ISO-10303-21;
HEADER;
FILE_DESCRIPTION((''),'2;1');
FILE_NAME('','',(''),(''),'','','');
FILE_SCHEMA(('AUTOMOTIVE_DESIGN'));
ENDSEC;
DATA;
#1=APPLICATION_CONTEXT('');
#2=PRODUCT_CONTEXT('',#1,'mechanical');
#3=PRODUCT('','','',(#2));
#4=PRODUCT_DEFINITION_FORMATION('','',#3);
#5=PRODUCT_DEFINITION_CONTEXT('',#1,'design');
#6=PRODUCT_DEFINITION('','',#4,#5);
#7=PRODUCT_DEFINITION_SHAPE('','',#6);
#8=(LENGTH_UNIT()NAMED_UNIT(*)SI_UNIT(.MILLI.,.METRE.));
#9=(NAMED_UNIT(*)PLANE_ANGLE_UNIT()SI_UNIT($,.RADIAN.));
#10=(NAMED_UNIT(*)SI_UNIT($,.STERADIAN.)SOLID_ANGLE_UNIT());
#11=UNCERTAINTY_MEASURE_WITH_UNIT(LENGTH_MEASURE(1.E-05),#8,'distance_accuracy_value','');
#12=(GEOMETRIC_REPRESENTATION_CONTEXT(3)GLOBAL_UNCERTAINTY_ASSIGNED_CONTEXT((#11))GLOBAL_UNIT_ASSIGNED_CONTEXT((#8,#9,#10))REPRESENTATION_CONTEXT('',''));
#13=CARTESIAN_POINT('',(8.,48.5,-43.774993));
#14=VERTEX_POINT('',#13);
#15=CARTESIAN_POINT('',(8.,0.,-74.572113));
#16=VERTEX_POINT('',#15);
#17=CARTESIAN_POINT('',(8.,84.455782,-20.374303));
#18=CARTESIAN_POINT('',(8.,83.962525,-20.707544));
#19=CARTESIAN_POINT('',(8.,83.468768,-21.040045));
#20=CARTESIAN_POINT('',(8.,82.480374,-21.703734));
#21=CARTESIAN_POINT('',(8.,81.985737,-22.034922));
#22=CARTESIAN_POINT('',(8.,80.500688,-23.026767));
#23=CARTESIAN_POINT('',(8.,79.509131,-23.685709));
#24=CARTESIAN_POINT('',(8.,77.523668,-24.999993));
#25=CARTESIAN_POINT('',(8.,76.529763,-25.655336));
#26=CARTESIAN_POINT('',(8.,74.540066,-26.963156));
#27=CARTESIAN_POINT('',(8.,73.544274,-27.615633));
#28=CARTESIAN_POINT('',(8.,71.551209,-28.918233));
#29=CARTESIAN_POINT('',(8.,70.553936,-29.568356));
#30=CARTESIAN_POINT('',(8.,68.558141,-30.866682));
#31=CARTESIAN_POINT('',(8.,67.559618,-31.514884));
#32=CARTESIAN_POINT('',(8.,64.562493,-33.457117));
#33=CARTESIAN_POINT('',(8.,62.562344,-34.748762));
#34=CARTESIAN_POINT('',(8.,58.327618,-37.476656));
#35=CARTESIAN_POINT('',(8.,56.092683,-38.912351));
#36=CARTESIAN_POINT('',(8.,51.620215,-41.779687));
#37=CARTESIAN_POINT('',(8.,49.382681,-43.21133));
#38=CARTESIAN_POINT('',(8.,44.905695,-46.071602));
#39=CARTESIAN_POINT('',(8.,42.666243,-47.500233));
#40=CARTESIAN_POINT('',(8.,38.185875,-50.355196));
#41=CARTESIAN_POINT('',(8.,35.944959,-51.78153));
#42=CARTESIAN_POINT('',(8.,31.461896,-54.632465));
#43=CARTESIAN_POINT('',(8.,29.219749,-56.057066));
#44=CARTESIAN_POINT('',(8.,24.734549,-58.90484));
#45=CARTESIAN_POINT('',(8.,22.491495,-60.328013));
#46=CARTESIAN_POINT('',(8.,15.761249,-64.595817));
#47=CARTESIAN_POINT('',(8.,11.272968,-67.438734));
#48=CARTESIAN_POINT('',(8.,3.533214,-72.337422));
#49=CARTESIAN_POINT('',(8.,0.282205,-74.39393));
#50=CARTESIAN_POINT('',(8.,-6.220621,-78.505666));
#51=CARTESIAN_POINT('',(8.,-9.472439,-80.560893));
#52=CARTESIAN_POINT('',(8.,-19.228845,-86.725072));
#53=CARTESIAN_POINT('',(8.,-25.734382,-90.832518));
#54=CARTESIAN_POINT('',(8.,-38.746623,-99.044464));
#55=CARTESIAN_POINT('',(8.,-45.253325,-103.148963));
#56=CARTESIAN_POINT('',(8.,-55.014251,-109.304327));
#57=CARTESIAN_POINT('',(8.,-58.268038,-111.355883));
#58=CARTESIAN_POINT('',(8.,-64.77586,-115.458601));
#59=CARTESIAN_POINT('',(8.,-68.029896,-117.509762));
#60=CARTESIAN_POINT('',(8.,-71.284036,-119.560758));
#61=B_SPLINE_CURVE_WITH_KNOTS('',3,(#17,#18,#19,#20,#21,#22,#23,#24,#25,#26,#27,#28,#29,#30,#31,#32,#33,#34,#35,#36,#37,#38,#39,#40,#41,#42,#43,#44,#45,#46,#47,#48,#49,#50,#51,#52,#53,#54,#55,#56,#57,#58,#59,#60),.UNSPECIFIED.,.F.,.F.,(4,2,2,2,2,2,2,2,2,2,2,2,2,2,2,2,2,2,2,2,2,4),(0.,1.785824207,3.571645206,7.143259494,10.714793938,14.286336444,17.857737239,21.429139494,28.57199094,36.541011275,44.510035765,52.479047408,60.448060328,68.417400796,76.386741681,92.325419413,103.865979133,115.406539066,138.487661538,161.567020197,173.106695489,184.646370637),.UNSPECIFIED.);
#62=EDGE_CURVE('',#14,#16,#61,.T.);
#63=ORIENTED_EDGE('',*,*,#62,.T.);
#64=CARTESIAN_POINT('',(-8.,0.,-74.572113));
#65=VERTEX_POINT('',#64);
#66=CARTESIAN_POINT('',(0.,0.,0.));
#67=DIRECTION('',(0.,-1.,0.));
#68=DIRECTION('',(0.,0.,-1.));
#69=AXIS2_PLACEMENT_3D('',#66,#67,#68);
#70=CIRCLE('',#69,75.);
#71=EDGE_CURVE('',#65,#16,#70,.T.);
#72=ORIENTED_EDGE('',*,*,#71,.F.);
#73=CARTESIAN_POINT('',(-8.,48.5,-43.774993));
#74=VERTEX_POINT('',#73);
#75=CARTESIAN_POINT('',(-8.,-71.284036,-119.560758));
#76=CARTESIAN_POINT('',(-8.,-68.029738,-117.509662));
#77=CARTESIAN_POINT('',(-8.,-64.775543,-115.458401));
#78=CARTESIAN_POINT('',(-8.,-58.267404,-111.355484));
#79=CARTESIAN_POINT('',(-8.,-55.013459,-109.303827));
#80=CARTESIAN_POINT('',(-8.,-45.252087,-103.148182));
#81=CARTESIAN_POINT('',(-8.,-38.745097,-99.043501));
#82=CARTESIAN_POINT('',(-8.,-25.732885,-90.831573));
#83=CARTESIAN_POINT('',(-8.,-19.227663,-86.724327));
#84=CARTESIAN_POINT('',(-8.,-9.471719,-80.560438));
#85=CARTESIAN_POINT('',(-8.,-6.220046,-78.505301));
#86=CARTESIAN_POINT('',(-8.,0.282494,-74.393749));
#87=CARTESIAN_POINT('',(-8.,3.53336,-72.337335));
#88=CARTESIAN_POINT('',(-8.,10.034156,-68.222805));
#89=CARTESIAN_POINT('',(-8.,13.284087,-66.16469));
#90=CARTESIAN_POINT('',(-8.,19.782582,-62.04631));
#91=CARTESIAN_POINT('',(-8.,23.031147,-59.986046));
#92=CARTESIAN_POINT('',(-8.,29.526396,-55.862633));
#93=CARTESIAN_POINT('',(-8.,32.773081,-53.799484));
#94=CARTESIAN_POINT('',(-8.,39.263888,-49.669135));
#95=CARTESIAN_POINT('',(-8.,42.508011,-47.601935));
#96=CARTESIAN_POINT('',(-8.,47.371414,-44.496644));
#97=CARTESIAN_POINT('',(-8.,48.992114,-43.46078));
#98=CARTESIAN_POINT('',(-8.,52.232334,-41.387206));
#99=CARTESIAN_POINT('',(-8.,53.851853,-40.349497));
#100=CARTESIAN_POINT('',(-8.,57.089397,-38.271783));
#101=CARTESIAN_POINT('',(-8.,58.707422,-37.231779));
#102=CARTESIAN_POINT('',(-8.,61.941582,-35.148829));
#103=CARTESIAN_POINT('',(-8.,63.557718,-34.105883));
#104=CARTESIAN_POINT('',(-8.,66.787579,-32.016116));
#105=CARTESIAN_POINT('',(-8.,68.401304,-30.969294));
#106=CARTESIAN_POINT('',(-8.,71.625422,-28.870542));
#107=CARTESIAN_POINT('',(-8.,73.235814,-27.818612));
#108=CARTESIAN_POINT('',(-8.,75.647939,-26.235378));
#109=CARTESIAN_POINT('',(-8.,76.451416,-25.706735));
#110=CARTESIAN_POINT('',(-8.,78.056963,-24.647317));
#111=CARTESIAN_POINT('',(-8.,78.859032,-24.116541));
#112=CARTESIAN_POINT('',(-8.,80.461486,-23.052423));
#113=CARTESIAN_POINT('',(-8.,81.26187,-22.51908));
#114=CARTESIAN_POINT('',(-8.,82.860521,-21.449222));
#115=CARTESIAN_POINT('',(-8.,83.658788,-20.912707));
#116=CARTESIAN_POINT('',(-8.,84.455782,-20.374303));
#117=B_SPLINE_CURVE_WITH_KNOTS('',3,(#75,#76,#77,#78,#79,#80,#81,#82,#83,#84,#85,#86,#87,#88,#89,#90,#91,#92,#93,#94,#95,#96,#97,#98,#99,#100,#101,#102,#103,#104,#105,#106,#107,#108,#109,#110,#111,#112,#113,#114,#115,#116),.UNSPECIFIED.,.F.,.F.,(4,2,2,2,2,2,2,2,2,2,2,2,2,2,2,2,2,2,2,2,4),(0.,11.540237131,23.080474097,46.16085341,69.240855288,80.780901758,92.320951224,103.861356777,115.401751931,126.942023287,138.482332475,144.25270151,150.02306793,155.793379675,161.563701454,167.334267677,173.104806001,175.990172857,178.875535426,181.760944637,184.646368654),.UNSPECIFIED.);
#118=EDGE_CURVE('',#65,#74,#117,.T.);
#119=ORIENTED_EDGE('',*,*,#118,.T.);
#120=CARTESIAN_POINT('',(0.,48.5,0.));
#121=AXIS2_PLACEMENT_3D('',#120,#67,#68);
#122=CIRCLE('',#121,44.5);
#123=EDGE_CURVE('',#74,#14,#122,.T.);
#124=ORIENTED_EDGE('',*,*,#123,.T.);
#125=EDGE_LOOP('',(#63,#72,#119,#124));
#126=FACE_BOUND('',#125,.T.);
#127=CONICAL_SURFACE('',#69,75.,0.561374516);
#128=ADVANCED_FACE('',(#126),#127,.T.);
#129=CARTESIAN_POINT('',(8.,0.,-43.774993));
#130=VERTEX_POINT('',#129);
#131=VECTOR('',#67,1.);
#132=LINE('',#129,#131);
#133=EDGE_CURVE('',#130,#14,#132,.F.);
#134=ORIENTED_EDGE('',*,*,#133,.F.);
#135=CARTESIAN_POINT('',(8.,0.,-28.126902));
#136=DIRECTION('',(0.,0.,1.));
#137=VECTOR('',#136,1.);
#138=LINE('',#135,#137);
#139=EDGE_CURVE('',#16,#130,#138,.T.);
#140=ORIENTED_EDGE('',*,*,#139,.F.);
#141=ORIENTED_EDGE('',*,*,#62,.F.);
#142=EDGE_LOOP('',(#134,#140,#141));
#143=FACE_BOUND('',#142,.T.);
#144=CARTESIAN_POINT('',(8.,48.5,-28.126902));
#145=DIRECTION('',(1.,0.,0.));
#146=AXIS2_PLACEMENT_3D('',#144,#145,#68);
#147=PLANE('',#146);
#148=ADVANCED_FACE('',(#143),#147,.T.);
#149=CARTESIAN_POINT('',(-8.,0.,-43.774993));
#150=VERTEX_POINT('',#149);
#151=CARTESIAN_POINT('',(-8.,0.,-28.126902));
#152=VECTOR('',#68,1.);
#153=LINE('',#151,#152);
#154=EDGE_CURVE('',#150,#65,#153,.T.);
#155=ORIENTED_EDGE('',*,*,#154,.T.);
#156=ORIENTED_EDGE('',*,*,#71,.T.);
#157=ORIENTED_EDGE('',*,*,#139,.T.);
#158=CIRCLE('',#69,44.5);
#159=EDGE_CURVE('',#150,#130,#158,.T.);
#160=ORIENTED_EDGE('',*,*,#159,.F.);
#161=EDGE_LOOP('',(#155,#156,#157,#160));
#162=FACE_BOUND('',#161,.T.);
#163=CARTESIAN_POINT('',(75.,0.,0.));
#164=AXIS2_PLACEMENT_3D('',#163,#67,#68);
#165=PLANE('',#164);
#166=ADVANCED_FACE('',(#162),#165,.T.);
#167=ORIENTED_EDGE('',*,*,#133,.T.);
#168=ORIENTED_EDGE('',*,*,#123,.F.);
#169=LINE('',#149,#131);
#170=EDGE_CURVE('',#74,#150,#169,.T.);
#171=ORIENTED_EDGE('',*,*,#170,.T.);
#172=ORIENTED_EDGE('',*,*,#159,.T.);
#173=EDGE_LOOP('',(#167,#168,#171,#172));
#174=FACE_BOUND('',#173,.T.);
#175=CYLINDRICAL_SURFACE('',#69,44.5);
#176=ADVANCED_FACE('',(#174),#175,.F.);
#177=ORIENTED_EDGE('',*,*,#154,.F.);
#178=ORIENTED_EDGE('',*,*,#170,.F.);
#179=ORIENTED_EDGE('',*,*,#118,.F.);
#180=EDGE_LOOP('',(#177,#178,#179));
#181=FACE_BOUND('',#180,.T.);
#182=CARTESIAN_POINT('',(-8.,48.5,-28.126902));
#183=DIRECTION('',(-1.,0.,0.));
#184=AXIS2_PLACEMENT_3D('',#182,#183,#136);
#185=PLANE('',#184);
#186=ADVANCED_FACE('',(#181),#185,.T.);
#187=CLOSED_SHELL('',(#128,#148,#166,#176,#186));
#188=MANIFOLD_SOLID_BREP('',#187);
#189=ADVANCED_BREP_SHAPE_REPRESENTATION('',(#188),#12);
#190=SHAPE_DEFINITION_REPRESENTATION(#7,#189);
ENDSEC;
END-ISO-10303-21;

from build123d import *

# Parameters (mm, degrees)
SKETCH2_OUTSIDE_W   = 195.522
SKETCH2_OUTSIDE_H   = 195.522
SKETCH2_OUTSIDE_W_2 = 16
SKETCH2_OUTSIDE_H_2 = 72.429790915
CUT_EXTRUDE1_DEPTH  = 49.5


with BuildPart() as part:
    # Sketch1 → Revolve1 (revolve)
    with BuildSketch(Plane.XY):
        Polygon((44.5, 0), (44.5, 48.5), (75, 0), align=None)
    revolve(axis=Axis((0, 0, 0), (0, 1, 0)))

    # Sketch2 outside → Cut-Extrude1 (cut, through all)
    with BuildSketch(Plane.XZ):
        Rectangle(SKETCH2_OUTSIDE_W, SKETCH2_OUTSIDE_H)
        with Locations((0, -64.341797595)):
            Rectangle(SKETCH2_OUTSIDE_W_2, SKETCH2_OUTSIDE_H_2, mode=Mode.SUBTRACT)
    extrude(amount=-CUT_EXTRUDE1_DEPTH, mode=Mode.SUBTRACT)


solid = part.part
